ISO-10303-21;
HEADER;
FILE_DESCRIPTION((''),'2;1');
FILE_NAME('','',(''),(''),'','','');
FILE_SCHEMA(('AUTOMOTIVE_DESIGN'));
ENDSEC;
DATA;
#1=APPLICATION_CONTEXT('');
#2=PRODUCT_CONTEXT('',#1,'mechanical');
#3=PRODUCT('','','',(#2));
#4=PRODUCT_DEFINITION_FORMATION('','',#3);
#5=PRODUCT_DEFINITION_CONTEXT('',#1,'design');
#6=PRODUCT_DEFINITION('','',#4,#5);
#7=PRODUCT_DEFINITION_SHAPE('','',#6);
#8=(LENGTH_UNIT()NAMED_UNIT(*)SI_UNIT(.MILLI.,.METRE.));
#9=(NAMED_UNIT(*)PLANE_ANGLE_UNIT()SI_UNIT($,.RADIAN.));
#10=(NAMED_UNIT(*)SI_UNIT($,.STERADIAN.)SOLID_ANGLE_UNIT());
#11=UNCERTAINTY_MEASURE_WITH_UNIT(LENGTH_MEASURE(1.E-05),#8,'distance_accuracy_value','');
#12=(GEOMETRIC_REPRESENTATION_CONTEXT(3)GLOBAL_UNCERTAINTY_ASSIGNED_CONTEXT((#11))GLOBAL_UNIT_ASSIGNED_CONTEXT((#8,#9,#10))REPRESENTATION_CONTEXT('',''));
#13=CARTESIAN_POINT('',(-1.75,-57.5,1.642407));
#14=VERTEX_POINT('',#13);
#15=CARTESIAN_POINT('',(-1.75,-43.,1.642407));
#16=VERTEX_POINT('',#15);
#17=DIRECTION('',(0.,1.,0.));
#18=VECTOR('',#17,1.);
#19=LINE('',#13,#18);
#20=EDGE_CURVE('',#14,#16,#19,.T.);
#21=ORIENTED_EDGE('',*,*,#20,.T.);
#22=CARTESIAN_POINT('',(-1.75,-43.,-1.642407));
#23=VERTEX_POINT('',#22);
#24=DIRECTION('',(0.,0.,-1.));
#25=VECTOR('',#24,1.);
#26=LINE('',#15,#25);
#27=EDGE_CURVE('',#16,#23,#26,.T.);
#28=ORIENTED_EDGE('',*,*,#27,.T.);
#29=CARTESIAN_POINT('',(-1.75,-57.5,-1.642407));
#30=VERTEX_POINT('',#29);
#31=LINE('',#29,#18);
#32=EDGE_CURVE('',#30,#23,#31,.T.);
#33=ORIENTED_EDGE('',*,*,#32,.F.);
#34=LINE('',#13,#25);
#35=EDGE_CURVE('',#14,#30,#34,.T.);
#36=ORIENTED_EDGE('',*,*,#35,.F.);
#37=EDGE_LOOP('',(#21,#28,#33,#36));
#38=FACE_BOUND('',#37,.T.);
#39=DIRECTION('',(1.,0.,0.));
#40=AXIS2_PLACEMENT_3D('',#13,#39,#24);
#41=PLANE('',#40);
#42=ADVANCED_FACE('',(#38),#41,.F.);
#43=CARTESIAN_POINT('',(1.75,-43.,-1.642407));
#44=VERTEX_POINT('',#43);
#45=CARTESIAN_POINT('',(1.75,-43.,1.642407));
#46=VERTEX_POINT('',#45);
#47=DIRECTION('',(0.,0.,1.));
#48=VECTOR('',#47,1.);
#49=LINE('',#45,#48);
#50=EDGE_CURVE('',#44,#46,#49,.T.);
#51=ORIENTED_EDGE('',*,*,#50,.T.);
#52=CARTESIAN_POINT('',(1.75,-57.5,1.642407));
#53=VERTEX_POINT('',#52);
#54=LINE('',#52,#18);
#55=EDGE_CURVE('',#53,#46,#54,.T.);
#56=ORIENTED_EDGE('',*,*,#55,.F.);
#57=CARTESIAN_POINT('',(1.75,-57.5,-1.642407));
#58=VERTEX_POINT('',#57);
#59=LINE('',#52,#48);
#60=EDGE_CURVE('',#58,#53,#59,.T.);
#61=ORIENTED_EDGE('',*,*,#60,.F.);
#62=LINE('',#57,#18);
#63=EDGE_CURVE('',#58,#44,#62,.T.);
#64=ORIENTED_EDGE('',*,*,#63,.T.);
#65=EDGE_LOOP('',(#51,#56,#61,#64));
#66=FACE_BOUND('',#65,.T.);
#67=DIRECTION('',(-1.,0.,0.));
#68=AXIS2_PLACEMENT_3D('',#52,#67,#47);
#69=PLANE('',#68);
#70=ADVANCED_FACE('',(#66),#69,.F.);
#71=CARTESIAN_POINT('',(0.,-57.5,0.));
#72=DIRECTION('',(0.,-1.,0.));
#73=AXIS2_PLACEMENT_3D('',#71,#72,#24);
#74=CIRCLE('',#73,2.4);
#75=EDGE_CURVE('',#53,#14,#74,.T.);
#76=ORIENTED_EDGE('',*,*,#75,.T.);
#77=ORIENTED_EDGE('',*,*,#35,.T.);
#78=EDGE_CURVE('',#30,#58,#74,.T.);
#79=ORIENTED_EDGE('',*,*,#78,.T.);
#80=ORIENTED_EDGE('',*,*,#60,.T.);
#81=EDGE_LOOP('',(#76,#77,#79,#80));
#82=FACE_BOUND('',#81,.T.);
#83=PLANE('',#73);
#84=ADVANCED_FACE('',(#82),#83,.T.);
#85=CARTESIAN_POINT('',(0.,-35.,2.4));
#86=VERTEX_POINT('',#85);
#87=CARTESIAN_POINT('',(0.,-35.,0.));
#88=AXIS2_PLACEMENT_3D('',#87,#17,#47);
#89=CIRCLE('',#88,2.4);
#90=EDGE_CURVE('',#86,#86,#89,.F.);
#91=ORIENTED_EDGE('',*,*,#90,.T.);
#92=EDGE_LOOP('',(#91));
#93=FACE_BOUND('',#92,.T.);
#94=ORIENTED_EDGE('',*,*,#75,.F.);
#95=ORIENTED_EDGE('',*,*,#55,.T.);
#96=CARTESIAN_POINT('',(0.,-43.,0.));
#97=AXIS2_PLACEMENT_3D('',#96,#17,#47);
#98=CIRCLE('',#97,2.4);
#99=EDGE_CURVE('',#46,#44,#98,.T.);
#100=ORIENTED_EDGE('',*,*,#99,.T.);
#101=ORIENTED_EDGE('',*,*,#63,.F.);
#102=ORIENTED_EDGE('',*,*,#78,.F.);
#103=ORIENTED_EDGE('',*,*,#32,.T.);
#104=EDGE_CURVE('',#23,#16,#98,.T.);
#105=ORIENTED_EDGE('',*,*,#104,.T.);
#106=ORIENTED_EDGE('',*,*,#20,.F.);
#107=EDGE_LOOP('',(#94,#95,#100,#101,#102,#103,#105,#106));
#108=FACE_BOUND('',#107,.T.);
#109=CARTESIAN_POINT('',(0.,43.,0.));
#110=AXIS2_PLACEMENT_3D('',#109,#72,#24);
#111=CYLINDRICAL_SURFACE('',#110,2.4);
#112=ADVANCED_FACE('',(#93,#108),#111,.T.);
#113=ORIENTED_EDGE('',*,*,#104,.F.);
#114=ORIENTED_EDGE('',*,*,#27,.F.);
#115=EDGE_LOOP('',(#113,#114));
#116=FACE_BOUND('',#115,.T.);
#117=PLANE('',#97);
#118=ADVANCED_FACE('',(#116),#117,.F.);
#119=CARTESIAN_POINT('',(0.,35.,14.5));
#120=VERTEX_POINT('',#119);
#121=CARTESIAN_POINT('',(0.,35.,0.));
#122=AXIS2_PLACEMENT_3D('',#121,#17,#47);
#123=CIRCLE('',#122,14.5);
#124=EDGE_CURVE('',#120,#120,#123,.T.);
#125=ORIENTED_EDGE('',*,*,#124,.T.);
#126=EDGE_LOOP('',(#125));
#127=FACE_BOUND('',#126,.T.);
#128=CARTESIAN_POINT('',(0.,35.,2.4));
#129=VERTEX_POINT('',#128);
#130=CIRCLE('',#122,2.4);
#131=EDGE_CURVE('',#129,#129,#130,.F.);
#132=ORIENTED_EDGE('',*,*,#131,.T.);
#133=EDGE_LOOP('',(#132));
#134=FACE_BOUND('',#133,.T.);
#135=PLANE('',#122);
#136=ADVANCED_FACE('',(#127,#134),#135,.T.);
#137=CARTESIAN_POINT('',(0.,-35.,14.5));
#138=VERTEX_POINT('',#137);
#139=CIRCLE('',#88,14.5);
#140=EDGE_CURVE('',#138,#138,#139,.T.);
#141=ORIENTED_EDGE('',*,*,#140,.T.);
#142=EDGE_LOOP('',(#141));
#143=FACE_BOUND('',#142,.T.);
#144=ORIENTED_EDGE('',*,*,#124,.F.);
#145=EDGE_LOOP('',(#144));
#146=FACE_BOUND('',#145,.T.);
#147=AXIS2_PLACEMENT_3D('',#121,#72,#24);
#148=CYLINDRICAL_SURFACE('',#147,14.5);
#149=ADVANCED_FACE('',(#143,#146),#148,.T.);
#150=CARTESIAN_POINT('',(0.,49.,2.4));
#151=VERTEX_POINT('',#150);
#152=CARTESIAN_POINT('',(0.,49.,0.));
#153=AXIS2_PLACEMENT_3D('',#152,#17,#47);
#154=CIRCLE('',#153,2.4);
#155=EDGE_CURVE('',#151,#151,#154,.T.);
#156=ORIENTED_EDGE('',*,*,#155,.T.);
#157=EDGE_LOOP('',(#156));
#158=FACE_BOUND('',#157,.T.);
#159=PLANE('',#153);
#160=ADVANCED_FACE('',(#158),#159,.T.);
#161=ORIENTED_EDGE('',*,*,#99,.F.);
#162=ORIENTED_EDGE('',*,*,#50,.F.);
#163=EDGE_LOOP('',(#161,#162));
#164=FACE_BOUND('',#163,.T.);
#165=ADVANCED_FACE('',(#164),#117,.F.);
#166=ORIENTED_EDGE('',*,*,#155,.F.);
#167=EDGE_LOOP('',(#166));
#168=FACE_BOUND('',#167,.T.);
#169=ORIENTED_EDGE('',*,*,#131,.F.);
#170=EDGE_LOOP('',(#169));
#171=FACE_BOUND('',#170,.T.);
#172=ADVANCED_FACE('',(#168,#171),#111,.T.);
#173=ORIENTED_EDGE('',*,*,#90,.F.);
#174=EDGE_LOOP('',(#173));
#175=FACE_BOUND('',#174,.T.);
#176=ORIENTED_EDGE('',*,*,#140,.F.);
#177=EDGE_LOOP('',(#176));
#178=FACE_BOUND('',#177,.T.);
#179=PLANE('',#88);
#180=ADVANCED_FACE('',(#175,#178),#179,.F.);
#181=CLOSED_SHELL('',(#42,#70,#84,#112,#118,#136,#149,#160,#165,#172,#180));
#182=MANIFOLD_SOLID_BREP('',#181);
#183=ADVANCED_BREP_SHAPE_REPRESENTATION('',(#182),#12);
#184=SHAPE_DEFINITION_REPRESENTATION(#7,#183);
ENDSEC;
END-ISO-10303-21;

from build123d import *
from build123d.topology import SkipClean

# Parameters (mm, degrees)
CROQUIS1_R              = 14.5
SALIENTE_EXTRUIR1_DEPTH = 35
CROQUIS2_R              = 2.4
SALIENTE_EXTRUIR2_DEPTH = 43
SALIENTE_EXTRUIR3_DEPTH = 14.5
SALIENTE_EXTRUIR4_START = 6
CROQUIS4_R              = 2.4
SALIENTE_EXTRUIR4_DEPTH = 6


with BuildPart() as part:
    # Croquis1 → Saliente-Extruir1 (new, symmetric)
    with BuildSketch(Plane(origin=(0, 0, 0), x_dir=(1, 0, 0), z_dir=(0, 1, 0))):
        with Locations(Location((0, 0, 0), (0, 0, 270))):
            Circle(CROQUIS1_R)
    extrude(amount=SALIENTE_EXTRUIR1_DEPTH, both=True)

    # Croquis2 → Saliente-Extruir2 (add, symmetric)
    with BuildSketch(Plane(origin=(0, 0, 0), x_dir=(1, 0, 0), z_dir=(0, 1, 0))):
        with Locations(Location((0, 0, 0), (0, 0, 270))):
            Circle(CROQUIS2_R)
    extrude(amount=SALIENTE_EXTRUIR2_DEPTH, both=True)

    # Croquis3 → Saliente-Extruir3 (add)
    with SkipClean():  # the faces are left unmerged after this step: merging them gives an invalid solid
        with BuildSketch(Plane.XZ.offset(43)):
            with BuildLine():
                Line((-1.75, 1.642406771), (-1.75, -1.642406771))
                ThreePointArc((-1.75, -1.642406771), (0, -2.4), (1.75, -1.642406771))
                Line((1.75, -1.642406771), (1.75, 1.642406771))
                ThreePointArc((1.75, 1.642406771), (0, 2.4), (-1.75, 1.642406771))
            make_face()
        extrude(amount=SALIENTE_EXTRUIR3_DEPTH)

    # Croquis4 → Saliente-Extruir4 (add)
    with SkipClean():  # the faces are left unmerged after this step: merging them gives an invalid solid
        with BuildSketch(Plane(origin=(0, 43, 0), x_dir=(1, 0, 0), z_dir=(0, 1, 0)).offset(SALIENTE_EXTRUIR4_START)):
            with Locations(Location((0, 0, 0), (0, 0, 43.183421796))):
                Circle(CROQUIS4_R)
        extrude(amount=-SALIENTE_EXTRUIR4_DEPTH)


solid = part.part
